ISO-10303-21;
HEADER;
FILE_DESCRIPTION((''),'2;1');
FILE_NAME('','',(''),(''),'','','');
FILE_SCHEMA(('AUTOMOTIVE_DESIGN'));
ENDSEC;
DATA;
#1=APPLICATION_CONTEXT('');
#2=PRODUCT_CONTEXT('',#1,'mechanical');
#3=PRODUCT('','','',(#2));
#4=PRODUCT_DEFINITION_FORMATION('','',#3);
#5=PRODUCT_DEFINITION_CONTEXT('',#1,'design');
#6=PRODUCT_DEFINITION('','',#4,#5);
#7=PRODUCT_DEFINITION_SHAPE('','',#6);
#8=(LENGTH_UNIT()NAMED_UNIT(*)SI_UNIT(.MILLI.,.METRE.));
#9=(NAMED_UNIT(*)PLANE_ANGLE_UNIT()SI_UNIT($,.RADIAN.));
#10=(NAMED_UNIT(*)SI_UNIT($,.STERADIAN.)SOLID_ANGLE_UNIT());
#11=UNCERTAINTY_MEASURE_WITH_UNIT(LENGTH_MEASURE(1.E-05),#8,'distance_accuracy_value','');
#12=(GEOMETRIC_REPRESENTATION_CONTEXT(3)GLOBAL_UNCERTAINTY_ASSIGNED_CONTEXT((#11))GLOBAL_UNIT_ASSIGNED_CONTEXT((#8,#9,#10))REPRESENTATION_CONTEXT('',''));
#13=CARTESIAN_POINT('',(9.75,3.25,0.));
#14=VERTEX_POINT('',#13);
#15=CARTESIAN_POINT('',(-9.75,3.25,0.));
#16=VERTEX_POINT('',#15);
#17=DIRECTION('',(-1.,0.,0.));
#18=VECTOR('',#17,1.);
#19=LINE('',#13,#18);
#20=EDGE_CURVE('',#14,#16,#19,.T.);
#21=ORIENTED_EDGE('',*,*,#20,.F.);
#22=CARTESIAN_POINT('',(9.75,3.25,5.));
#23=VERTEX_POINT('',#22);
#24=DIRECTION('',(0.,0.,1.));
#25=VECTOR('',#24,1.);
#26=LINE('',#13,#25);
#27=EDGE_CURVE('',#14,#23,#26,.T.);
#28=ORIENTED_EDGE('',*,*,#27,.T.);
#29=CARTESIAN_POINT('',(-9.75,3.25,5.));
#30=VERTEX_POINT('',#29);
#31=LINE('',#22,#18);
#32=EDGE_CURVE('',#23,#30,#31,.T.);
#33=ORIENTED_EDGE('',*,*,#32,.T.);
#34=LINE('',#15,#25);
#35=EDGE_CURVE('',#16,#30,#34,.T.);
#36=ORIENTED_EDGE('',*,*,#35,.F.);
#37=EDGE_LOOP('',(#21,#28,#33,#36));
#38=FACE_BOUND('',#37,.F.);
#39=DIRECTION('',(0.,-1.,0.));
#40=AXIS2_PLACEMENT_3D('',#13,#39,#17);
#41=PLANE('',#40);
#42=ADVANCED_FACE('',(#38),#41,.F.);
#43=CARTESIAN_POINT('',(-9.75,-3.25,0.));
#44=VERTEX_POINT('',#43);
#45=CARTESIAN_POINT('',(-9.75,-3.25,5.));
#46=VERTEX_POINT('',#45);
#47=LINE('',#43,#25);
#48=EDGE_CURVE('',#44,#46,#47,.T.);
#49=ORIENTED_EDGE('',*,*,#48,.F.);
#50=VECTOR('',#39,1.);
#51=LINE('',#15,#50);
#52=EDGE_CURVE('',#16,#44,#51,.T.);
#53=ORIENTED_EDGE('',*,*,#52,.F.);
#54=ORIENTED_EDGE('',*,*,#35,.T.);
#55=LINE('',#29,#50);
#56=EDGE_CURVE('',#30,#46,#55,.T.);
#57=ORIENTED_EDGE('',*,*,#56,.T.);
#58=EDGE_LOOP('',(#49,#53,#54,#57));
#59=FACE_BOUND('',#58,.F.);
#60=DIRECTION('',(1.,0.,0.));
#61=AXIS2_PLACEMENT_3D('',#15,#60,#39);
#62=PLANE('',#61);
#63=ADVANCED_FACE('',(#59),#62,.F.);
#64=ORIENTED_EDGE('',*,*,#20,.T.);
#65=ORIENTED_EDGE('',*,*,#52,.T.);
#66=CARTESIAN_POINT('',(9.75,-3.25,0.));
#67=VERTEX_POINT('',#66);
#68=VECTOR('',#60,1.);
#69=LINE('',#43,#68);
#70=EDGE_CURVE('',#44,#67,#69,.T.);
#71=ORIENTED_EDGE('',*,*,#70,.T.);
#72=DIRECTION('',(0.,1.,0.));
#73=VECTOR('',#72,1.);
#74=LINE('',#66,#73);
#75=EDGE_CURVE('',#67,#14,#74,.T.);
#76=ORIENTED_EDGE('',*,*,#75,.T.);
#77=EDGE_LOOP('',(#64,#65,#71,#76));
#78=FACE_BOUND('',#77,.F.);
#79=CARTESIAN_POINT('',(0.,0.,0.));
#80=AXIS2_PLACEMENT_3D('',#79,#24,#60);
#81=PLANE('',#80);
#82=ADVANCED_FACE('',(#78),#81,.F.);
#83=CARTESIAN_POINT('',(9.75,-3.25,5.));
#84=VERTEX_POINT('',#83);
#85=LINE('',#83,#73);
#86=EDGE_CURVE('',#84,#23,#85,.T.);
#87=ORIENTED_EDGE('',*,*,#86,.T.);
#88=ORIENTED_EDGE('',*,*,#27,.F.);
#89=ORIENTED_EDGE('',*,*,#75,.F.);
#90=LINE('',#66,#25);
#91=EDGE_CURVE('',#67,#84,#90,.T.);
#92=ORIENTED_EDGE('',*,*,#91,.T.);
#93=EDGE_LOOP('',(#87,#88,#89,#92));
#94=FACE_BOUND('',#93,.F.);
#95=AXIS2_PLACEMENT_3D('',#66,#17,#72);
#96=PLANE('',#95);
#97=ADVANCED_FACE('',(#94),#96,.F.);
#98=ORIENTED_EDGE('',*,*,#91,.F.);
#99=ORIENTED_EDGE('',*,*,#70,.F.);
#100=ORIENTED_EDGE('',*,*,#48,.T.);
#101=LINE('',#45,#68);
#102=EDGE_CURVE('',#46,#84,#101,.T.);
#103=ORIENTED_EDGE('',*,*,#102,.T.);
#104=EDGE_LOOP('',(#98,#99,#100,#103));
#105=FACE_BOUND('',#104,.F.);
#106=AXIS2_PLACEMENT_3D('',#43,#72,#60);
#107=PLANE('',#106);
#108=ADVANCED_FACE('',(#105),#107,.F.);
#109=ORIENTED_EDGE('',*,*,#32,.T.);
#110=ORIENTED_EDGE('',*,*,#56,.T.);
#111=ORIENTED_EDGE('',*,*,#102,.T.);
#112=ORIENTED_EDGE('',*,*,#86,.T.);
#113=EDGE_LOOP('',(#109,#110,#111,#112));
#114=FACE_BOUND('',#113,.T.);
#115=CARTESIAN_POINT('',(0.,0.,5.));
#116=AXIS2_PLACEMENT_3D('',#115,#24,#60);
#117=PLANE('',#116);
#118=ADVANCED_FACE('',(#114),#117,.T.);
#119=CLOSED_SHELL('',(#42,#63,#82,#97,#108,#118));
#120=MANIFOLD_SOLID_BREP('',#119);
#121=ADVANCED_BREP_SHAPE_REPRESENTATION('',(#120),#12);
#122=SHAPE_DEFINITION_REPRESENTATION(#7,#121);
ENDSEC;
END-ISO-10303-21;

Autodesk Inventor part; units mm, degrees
ref_plane "YZ Plane" through (0, 0, 0) normal (1, 0, 0) x (0, 1, 0)
ref_plane "XZ Plane" through (0, 0, 0) normal (0, 1, 0) x (-1, 0, 0)
ref_plane "XY Plane" through (0, 0, 0) normal (0, 0, 1) x (1, 0, 0)
sketch "Náčrt1" plane through (0, 0, 0) normal (0, 0, 1) x (1, 0, 0)
  line L0 (-9.75, -3.25) -> (9.75, -3.25)
  line L1 (9.75, -3.25) -> (9.75, 3.25)
  line L2 (9.75, 3.25) -> (-9.75, 3.25)
  line L3 (-9.75, 3.25) -> (-9.75, -3.25)
  line L4 (-9.75, -3.25) -> (9.75, 3.25) construction
  line L5 (9.75, -3.25) -> (-9.75, 3.25) construction
  point P0 (0, 0)
  dimension "d0" = 19.5
  dimension "d1" = 6.5
extrude "Vysunutí1" add sketch "Náčrt1" along normal blind 5
properties part number "tlacitko"
